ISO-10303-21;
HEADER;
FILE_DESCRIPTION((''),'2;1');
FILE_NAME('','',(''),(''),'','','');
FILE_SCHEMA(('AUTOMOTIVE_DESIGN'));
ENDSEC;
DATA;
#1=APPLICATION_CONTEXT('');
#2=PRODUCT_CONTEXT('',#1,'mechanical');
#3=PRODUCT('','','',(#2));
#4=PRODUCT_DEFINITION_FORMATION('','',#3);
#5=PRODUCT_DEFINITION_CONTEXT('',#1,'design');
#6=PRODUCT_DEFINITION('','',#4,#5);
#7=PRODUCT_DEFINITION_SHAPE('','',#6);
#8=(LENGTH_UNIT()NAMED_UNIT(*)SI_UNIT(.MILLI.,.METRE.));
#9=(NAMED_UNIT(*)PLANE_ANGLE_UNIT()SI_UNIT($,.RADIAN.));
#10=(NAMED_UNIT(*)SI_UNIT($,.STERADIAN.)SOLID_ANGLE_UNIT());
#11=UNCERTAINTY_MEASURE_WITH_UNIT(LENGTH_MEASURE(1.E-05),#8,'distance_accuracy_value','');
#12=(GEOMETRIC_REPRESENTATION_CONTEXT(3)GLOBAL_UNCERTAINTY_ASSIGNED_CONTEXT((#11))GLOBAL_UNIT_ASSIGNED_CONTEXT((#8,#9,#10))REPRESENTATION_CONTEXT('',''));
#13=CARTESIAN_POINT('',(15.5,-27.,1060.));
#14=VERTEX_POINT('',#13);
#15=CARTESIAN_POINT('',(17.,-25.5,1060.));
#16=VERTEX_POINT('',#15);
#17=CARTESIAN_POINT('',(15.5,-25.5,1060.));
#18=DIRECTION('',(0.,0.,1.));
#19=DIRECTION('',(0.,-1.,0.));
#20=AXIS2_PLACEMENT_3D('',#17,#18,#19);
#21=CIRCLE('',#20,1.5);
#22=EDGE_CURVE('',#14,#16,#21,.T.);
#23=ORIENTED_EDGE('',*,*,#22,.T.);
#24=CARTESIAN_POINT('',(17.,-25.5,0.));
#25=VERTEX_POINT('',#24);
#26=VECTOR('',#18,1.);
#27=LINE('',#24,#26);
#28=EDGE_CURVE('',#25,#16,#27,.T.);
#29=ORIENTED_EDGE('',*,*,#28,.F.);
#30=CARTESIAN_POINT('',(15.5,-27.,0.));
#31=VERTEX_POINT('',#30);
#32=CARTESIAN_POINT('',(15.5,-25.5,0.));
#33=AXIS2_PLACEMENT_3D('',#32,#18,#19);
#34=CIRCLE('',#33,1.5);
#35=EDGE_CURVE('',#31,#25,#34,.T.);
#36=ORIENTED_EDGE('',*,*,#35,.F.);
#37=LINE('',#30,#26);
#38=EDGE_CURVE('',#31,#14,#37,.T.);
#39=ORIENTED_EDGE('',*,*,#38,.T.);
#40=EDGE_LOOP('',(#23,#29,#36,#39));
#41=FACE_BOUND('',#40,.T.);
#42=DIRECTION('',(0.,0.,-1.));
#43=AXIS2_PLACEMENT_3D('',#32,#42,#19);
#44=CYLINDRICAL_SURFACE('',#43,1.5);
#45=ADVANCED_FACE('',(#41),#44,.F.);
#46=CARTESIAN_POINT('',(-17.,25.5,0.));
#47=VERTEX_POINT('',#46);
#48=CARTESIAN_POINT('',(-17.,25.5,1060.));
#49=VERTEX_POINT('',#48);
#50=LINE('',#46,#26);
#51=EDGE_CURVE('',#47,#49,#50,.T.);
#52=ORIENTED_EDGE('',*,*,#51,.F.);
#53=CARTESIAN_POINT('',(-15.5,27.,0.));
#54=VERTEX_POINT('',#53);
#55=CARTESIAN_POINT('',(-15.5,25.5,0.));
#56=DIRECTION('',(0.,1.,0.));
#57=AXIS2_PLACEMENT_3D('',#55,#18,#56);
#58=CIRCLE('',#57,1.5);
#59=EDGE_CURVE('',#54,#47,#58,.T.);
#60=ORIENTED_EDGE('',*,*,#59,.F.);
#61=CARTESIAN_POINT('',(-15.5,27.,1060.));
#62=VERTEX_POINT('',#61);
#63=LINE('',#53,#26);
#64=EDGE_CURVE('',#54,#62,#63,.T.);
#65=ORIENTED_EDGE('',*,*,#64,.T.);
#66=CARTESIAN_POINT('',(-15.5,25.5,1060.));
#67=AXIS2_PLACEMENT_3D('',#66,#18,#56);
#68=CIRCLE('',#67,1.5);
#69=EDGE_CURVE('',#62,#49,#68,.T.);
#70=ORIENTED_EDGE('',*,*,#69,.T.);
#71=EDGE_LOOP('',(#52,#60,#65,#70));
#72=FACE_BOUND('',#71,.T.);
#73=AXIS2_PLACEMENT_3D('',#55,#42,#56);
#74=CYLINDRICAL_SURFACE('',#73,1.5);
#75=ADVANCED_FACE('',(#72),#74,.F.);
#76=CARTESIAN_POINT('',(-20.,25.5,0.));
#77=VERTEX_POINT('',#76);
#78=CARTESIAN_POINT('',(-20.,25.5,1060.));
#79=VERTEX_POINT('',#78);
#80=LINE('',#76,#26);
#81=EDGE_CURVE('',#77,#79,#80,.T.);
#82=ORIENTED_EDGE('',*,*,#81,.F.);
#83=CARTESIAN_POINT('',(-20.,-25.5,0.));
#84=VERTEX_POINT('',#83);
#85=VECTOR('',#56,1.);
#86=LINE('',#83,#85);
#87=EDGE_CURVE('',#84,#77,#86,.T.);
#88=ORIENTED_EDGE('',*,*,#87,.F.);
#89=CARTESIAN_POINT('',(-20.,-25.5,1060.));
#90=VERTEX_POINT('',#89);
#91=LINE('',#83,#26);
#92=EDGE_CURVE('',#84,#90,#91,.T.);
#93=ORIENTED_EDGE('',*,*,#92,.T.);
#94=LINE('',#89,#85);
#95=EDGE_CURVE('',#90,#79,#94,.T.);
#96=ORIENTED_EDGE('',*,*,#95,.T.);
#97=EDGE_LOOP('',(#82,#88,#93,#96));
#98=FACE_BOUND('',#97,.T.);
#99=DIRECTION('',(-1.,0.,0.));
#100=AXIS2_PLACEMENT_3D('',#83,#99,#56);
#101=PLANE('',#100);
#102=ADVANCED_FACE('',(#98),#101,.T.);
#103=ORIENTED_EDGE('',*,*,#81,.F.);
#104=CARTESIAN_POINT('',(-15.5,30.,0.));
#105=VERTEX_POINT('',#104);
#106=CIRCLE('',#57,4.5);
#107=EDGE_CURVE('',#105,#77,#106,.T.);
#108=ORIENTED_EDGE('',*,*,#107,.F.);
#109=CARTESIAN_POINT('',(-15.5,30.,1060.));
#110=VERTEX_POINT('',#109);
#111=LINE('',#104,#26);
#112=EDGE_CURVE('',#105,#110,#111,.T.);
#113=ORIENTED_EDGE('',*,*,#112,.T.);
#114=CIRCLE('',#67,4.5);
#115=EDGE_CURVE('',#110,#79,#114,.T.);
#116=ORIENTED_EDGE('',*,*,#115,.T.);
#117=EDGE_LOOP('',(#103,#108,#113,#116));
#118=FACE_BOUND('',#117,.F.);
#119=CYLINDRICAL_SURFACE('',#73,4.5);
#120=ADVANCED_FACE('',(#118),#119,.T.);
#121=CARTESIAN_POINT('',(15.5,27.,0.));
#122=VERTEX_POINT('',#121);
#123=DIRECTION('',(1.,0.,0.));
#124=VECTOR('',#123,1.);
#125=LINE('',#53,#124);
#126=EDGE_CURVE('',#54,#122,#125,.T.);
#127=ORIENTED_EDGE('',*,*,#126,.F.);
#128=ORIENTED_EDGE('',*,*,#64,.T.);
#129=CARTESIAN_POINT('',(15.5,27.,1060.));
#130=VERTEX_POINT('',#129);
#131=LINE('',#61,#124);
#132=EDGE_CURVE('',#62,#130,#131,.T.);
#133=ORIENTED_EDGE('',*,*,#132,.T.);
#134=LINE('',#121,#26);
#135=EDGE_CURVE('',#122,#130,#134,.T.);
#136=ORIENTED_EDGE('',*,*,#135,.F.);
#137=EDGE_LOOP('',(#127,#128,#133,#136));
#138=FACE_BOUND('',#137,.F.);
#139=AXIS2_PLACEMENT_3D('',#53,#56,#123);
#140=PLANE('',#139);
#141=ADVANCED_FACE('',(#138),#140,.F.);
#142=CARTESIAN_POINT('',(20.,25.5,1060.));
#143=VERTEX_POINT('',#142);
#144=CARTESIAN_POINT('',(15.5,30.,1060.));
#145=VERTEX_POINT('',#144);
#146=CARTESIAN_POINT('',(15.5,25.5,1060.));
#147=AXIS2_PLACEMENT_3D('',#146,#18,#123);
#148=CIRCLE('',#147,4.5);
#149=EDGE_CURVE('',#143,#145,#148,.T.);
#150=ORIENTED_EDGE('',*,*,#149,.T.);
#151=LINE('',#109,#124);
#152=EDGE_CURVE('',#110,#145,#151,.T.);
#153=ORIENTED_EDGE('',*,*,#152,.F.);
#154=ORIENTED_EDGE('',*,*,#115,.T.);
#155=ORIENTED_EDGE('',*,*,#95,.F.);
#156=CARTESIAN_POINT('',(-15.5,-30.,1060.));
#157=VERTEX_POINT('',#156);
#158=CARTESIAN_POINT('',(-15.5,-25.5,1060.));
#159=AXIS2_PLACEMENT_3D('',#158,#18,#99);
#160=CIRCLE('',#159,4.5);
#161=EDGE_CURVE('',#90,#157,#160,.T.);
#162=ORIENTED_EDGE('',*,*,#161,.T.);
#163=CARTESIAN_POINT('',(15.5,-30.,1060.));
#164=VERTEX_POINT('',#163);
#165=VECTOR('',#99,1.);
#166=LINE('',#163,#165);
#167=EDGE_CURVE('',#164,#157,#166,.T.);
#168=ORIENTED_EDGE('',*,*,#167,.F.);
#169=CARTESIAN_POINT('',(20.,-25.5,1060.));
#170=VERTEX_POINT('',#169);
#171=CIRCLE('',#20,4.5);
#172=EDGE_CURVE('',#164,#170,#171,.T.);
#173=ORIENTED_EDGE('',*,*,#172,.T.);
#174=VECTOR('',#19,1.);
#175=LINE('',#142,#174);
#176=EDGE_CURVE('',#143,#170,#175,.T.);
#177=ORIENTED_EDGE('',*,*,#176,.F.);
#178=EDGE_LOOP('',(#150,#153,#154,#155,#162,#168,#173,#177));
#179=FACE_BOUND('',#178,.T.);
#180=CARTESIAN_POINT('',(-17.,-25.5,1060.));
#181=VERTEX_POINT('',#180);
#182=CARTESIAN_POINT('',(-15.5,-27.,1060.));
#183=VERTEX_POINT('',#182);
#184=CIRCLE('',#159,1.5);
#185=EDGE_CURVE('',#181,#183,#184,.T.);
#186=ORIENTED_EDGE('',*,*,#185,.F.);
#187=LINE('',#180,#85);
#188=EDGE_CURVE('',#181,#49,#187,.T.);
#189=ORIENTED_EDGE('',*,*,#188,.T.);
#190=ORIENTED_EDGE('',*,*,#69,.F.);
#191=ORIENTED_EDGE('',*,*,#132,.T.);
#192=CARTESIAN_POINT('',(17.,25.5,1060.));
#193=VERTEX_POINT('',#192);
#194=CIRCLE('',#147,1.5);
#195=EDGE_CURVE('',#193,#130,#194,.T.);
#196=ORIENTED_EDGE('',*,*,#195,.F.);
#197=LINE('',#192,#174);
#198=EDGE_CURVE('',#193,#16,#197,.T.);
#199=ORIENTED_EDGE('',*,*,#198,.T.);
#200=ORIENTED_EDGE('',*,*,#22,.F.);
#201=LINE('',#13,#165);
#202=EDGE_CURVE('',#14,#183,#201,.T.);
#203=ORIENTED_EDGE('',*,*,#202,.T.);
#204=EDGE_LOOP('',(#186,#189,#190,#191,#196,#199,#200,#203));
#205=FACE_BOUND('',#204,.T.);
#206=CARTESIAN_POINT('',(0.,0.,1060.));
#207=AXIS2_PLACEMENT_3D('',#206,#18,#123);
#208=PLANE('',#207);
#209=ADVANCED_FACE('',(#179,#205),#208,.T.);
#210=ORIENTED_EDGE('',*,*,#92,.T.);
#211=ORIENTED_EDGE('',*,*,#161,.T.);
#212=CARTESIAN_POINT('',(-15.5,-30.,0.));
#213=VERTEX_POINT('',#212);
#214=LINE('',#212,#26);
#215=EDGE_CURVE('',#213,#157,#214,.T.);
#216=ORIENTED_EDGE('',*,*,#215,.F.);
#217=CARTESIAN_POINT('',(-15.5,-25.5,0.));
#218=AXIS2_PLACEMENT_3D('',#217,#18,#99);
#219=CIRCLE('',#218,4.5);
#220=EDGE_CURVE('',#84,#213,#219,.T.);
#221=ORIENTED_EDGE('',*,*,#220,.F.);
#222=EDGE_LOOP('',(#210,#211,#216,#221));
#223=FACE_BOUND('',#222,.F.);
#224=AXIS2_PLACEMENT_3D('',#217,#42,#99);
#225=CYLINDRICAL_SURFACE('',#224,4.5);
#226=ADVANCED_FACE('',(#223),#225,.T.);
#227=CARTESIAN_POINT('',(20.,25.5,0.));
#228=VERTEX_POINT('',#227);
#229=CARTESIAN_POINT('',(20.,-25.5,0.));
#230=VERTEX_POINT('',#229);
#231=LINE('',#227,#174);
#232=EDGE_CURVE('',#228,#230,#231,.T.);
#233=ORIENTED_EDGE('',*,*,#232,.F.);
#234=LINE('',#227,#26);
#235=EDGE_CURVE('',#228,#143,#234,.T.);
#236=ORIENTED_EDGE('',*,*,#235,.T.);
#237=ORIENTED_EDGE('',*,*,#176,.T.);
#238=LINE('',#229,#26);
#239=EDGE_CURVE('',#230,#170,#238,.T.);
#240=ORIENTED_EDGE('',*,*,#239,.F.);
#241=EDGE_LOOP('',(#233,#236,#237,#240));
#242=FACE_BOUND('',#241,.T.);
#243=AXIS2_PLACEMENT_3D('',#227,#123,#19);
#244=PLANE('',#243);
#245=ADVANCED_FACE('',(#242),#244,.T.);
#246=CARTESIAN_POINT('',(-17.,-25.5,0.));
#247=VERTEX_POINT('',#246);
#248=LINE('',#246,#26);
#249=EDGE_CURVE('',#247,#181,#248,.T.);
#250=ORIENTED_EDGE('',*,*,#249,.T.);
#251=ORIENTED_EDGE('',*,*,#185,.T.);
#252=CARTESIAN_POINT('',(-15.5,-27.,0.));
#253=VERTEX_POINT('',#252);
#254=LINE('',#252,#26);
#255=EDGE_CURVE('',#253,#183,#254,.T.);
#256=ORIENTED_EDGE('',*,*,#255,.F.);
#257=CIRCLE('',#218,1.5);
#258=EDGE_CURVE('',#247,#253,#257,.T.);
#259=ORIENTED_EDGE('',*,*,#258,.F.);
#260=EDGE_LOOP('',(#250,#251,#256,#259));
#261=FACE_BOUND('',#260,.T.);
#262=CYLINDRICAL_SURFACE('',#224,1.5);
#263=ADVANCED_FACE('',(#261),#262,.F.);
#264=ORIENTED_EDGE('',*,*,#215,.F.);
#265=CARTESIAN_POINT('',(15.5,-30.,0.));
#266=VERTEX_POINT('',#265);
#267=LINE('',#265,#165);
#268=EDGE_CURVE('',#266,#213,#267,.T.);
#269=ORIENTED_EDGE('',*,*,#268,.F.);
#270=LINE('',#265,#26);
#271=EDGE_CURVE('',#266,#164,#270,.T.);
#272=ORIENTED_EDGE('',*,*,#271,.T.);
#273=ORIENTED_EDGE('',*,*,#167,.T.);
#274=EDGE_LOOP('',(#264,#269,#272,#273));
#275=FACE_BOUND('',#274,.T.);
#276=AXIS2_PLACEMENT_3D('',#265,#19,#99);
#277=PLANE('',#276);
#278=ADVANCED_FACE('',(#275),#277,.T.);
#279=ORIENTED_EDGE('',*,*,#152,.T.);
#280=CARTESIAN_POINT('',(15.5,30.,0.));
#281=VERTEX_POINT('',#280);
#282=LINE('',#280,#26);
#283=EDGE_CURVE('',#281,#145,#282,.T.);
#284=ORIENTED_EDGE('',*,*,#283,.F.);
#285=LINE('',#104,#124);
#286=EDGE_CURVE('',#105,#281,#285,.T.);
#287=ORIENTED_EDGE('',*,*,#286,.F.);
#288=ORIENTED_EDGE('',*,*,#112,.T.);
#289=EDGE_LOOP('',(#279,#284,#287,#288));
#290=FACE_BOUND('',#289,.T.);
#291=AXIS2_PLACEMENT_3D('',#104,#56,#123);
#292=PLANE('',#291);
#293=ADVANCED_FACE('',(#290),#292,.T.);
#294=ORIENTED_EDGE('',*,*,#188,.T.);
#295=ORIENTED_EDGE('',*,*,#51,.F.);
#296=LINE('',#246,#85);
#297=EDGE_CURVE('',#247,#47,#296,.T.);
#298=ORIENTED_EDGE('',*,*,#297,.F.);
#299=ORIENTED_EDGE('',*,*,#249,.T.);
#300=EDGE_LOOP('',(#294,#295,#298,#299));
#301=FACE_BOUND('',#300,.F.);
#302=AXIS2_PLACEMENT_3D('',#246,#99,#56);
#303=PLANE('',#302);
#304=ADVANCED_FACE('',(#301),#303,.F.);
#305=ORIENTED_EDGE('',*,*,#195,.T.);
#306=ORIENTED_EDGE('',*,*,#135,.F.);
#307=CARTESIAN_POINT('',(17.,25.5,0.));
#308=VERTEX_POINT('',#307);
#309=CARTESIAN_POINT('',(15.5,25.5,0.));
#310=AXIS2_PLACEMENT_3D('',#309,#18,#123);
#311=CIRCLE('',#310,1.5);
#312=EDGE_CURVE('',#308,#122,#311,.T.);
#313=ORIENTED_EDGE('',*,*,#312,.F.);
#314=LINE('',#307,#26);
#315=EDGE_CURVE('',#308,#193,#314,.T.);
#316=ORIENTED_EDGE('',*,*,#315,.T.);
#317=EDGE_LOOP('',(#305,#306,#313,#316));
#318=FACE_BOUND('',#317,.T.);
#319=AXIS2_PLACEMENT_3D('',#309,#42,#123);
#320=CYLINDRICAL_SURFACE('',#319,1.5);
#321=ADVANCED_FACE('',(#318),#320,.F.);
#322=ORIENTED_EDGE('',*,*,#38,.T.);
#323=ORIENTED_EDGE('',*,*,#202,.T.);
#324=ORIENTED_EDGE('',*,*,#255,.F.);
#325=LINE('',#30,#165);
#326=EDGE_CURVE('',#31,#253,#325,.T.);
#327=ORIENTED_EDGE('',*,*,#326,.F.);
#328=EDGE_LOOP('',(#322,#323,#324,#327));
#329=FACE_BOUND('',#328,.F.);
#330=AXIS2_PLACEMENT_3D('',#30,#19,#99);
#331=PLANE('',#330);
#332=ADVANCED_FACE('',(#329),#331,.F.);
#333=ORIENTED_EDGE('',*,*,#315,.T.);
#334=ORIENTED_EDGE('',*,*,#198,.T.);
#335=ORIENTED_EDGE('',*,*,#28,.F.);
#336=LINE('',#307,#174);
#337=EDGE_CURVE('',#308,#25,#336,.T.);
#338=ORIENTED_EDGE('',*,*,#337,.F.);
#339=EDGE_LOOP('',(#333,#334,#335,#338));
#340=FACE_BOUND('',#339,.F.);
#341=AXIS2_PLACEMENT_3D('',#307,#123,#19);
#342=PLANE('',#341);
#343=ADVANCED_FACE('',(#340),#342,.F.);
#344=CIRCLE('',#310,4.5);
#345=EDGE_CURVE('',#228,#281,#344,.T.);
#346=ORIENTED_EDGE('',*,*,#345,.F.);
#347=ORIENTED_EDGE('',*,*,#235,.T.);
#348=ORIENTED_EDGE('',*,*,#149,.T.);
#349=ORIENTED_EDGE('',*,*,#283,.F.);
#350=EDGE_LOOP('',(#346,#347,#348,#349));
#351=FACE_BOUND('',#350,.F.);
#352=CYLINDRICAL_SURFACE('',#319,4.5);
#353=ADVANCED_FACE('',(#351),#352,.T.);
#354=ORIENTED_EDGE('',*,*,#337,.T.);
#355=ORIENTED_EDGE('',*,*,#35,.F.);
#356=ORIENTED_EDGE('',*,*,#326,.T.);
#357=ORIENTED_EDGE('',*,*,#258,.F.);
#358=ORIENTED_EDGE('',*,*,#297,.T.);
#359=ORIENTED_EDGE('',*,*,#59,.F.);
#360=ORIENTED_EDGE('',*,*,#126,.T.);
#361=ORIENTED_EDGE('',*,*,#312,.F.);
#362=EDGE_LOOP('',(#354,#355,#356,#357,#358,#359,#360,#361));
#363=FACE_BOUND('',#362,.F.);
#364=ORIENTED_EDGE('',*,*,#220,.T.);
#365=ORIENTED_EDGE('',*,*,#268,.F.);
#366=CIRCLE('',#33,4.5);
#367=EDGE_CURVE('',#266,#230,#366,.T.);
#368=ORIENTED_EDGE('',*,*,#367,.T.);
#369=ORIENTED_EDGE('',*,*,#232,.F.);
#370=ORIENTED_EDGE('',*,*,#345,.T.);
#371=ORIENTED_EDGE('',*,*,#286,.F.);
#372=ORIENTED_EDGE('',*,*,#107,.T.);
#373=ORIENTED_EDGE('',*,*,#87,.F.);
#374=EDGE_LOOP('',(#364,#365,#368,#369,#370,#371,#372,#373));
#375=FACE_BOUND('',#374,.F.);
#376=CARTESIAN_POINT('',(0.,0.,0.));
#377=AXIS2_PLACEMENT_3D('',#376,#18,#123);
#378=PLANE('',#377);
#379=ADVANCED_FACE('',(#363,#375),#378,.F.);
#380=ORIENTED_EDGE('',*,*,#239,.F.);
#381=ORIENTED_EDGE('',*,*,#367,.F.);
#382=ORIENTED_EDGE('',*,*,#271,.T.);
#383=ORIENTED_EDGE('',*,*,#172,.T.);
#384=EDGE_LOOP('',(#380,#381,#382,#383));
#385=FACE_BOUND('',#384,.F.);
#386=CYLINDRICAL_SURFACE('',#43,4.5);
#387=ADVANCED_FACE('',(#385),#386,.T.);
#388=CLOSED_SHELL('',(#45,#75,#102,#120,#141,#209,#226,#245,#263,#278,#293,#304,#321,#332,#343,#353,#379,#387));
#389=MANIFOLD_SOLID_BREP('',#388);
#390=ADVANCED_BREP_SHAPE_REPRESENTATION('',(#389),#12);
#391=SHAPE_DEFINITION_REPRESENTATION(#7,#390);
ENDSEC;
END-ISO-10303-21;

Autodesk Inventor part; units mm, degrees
ref_plane "YZ Plane" through (0, 0, 0) normal (1, 0, 0) x (0, 1, 0)
ref_plane "Start plane" through (0, 0, 0) normal (0, 0, 1) x (1, 0, 0)
ref_plane "End plane" through (0, 0, 1060) normal (0, 0, 1) x (1, 0, 0)
sketch "Sketch" plane through (0, 0, 0) normal (0, 0, 1) x (1, 0, 0)
  line L0 (-20, -25.5) -> (-20, 25.5)
  line L1 (-15.5, 30) -> (15.5, 30)
  line L2 (20, 25.5) -> (20, -25.5)
  line L3 (15.5, -30) -> (-15.5, -30)
  arc A0 (-20, -25.5) -> (-15.5, -30) centre (-15.5, -25.5) ccw
  arc A1 (-15.5, 30) -> (-20, 25.5) centre (-15.5, 25.5) ccw
  arc A2 (20, 25.5) -> (15.5, 30) centre (15.5, 25.5) ccw
  arc A3 (15.5, -30) -> (20, -25.5) centre (15.5, -25.5) ccw
  arc A4 (-15.5, 27) -> (-17, 25.5) centre (-15.5, 25.5) ccw
  line L4 (-15.5, 27) -> (15.5, 27)
  arc A5 (17, 25.5) -> (15.5, 27) centre (15.5, 25.5) ccw
  line L5 (17, 25.5) -> (17, -25.5)
  arc A6 (15.5, -27) -> (17, -25.5) centre (15.5, -25.5) ccw
  line L6 (15.5, -27) -> (-15.5, -27)
  arc A7 (-17, -25.5) -> (-15.5, -27) centre (-15.5, -25.5) ccw
  line L7 (-17, -25.5) -> (-17, 25.5)
  line L8 (0, 43.3048) -> (0, -43.3048) construction
  line L9 (-29.3048, 0) -> (29.3048, 0) construction
  dimension "d7" = 4.5
  dimension "d10" = 60
  dimension "d11" = 40
  dimension "d12" = 3
  dimension "d15" = 30
  dimension "d16" = 20
extrude "Body" add sketch "Sketch" along normal up to surface (1060 mm away) from surface at 0
sketch "Sketch3" plane through (0, 0, 0) normal (0, 0, 1) x (1, 0, 0)
  line L0 (0, 0) -> (10, 0)
ref_plane "Work Plane3" through (0, 0, 0) normal (0, -1, 0) x (1, 0, 0)
sketch "Sketch4" plane through (0, 0, 0) normal (0, -1, 0) x (1, 0, 0)
  line L0 (-2, 0) -> (12, 0) projected
  line L1 (-2, 1060) -> (12, 1060) projected
  dimension "d18" = 1060
equation "\"d7\" = G_IR"
equation "\"d10\" = G_H"
equation "\"d11\" = G_W"
equation "\"d12\" = G_T"
equation "\"d15\" = 0.5 * d10"
equation "\"d16\" = 0.5 * d11"
equation "\"d3\" = G_L"
equation "\"G_W\" = 40"
equation "\"G_H\" = 60"
equation "\"G_T\" = 3"
equation "\"G_IR\" = 4.5"
equation "\"G_L\" = d18"
equation "\"G_OFFSET_START\" = 0"
equation "\"G_OFFSET_END\" = 0"
properties part number "ISO 657/14 - 60x40x3 - 1060" material "Steel, Mild"
